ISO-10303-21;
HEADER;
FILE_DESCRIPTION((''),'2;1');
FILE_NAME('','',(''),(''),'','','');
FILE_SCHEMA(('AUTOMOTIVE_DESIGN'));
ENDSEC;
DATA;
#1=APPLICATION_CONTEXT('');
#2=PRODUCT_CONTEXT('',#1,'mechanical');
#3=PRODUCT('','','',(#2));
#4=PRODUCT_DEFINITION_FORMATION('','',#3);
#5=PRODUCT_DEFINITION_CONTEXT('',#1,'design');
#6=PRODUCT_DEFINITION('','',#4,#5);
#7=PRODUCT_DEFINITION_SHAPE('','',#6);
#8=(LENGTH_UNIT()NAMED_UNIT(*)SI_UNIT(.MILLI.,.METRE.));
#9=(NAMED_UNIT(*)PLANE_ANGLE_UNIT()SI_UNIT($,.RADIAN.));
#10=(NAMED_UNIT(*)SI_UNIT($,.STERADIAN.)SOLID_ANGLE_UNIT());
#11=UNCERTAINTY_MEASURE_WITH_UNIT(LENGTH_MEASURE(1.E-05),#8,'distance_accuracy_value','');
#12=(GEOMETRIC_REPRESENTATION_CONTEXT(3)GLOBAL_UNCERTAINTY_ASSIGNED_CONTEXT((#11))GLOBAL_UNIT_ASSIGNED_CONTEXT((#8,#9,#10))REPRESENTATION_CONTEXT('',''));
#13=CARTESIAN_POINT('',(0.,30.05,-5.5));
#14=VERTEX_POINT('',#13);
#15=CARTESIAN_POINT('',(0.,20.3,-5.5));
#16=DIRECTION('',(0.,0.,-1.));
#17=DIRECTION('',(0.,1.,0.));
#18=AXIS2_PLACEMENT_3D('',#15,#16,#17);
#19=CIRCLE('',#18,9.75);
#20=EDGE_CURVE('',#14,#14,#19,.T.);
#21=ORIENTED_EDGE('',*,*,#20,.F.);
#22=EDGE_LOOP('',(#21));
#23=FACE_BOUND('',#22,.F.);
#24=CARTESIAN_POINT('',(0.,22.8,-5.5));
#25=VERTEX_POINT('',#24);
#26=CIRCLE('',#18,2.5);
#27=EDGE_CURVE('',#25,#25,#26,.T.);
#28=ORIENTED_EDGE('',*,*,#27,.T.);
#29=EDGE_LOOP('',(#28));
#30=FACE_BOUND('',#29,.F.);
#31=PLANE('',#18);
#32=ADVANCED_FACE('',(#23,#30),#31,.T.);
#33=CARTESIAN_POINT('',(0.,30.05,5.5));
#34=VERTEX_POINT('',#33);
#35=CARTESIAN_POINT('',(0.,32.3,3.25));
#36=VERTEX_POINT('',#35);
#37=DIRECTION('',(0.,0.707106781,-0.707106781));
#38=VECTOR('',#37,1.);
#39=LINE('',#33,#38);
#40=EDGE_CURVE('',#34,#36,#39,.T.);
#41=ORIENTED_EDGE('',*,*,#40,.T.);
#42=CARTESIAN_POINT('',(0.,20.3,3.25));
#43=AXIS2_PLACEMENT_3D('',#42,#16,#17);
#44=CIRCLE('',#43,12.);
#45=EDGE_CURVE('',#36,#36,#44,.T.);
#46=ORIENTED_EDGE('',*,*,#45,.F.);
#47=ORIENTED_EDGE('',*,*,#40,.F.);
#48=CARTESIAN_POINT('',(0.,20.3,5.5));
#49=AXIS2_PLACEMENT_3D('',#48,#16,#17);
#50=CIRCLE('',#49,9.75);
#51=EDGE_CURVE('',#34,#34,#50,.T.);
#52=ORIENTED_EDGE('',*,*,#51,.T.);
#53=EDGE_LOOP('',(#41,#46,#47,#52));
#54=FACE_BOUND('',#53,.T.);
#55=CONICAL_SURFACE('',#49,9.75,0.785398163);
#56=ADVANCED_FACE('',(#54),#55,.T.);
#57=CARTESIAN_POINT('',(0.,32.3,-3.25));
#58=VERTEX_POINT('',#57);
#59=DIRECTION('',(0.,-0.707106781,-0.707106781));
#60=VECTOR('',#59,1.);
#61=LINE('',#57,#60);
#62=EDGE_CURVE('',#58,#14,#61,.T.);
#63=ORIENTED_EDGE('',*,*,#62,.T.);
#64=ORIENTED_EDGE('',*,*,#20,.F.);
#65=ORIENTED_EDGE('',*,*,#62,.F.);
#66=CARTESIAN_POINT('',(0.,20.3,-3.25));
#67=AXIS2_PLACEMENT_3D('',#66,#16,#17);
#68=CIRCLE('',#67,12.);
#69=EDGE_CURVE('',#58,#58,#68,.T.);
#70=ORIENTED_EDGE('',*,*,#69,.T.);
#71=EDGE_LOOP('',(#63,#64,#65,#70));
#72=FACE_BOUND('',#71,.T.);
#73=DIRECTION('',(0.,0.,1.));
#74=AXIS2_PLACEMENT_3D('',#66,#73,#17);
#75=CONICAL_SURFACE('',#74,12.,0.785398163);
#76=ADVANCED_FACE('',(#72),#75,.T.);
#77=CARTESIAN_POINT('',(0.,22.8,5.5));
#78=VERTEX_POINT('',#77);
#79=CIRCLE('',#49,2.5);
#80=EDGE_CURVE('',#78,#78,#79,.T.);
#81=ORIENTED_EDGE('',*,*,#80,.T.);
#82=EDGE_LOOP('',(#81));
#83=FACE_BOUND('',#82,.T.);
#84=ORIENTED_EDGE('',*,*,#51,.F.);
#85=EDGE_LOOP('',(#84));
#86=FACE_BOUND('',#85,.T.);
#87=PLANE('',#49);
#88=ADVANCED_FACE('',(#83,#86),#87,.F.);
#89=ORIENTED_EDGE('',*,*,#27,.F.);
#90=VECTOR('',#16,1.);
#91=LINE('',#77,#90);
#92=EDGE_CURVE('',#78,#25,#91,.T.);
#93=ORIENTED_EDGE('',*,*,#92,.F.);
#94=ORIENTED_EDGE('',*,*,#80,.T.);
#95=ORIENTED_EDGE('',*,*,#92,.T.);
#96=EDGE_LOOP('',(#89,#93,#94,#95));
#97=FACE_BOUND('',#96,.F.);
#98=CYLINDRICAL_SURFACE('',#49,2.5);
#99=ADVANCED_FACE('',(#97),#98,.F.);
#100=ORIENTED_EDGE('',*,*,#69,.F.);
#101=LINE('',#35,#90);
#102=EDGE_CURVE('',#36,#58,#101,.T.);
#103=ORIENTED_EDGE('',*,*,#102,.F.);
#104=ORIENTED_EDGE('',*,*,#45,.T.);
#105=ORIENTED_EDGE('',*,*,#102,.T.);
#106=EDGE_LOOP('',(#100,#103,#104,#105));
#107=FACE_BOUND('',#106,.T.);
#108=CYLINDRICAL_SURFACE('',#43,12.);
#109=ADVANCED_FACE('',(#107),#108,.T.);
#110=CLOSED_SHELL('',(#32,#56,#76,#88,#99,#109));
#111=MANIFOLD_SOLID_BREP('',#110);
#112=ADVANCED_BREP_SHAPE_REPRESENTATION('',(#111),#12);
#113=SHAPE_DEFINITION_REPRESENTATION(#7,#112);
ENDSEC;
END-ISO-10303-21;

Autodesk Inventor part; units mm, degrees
ref_plane "YZ Plane" through (0, 0, 0) normal (1, 0, 0) x (0, 1, 0)
ref_plane "XZ Plane" through (0, 0, 0) normal (0, 1, 0) x (-1, 0, 0)
ref_plane "XY Plane" through (0, 0, 0) normal (0, 0, 1) x (1, 0, 0)
sketch "Sketch1" plane through (0, 0, 0) normal (1, 0, 0) x (0, 1, 0)
  circle A0 centre (0, 0) radius 2.15 construction
  line L0 (2.8308, 3.75) -> (-2.8308, 3.75) construction
  line L1 (-2.8308, 3.75) -> (-5.5, 6.4192) construction
  line L2 (-5.5, 6.4192) -> (-5.5, 8.2) construction
  line L3 (-5.5, 8.2) -> (-3.6328, 8.2) construction
  arc A1 (-3.6328, 8.2) -> (-3.4914, 8.5414) centre (-3.6328, 8.4) ccw construction
  line L4 (-3.4914, 8.5414) -> (-4.95, 10) construction
  line L5 (-4.95, 10) -> (-10, 10) construction
  line L6 (-10, 10) -> (-10, 4.95) construction
  line L7 (-10, 4.95) -> (-8.5414, 3.4914) construction
  arc A2 (-8.5414, 3.4914) -> (-8.2, 3.6328) centre (-8.4, 3.6328) ccw construction
  line L8 (-8.2, 3.6328) -> (-8.2, 5.5) construction
  line L9 (-8.2, 5.5) -> (-6.4192, 5.5) construction
  line L10 (-6.4192, 5.5) -> (-3.75, 2.8308) construction
  line L11 (-3.75, 2.8308) -> (-3.75, -2.8308) construction
  line L12 (-3.75, -2.8308) -> (-6.4192, -5.5) construction
  line L13 (-6.4192, -5.5) -> (-8.2, -5.5) construction
  line L14 (-8.2, -5.5) -> (-8.2, -3.6328) construction
  arc A3 (-8.2, -3.6328) -> (-8.5414, -3.4914) centre (-8.4, -3.6328) ccw construction
  line L15 (-8.5414, -3.4914) -> (-10, -4.95) construction
  line L16 (-10, -4.95) -> (-10, -10) construction
  line L17 (-10, -10) -> (-4.95, -10) construction
  line L18 (-4.95, -10) -> (-3.4914, -8.5414) construction
  arc A4 (-3.4914, -8.5414) -> (-3.6328, -8.2) centre (-3.6328, -8.4) ccw construction
  line L19 (-3.6328, -8.2) -> (-5.5, -8.2) construction
  line L20 (-5.5, -8.2) -> (-5.5, -6.4192) construction
  line L21 (-5.5, -6.4192) -> (-2.8308, -3.75) construction
  line L22 (-2.8308, -3.75) -> (2.8308, -3.75) construction
  line L23 (2.8308, -3.75) -> (5.5, -6.4192) construction
  line L24 (5.5, -6.4192) -> (5.5, -8.2) construction
  line L25 (5.5, -8.2) -> (3.6328, -8.2) construction
  arc A5 (3.6328, -8.2) -> (3.4914, -8.5414) centre (3.6328, -8.4) ccw construction
  line L26 (3.4914, -8.5414) -> (4.95, -10) construction
  line L27 (4.95, -10) -> (10, -10) construction
  line L28 (10, -10) -> (10, -4.95) construction
  line L29 (10, -4.95) -> (8.5414, -3.4914)
  arc A6 (8.5414, -3.4914) -> (8.2, -3.6328) centre (8.4, -3.6328) ccw construction
  line L30 (8.2, -3.6328) -> (8.2, -5.5) construction
  line L31 (8.2, -5.5) -> (6.4192, -5.5) construction
  line L32 (6.4192, -5.5) -> (3.75, -2.8308) construction
  line L33 (3.75, -2.8308) -> (3.75, 2.8308) construction
  line L34 (3.75, 2.8308) -> (6.4192, 5.5) construction
  line L35 (6.4192, 5.5) -> (8.2, 5.5) construction
  line L36 (8.2, 5.5) -> (8.2, 3.6328) construction
  arc A7 (8.2, 3.6328) -> (8.5414, 3.4914) centre (8.4, 3.6328) ccw construction
  line L37 (8.5414, 3.4914) -> (10, 4.95)
  line L38 (10, 4.95) -> (10, 10) construction
  line L39 (10, 10) -> (4.95, 10) construction
  line L40 (4.95, 10) -> (3.4914, 8.5414) construction
  arc A8 (3.4914, 8.5414) -> (3.6328, 8.2) centre (3.6328, 8.4) ccw construction
  line L41 (3.6328, 8.2) -> (5.5, 8.2) construction
  line L42 (5.5, 8.2) -> (5.5, 6.4192) construction
  line L43 (5.5, 6.4192) -> (2.8308, 3.75) construction
  line L44 (10.55, 5.5) -> (10.55, -5.5) construction
  line L45 (10, 4.95) -> (10.55, 5.5)
  line L46 (10, -4.95) -> (10.55, -5.5)
  line L47 (8.3, 3.25) -> (8.3, -3.25)
  line L48 (8.5414, 3.4914) -> (8.3, 3.25)
  line L49 (8.5414, -3.4914) -> (8.3, -3.25)
  line L50 (32.3, 3.25) -> (32.3, -3.25)
  line L51 (10.55, 5.5) -> (30.05, 5.5)
  line L52 (10.55, -5.5) -> (30.05, -5.5)
  line L53 (30.05, 5.5) -> (32.3, 3.25)
  line L54 (32.3, -3.25) -> (30.05, -5.5)
  line L55 (20.3, 5.5) -> (20.3, -5.5) construction
  line L56 (22.8, 5.5) -> (22.8, -5.5)
  line L57 (17.8, 5.5) -> (17.8, -5.5)
  line L58 (30.05, 5.5) -> (30.05, -5.5) construction
  point P0 (22.55, -5.25)
  dimension "d0" = 11
  dimension "d1" = 45
  dimension "d4" = 24
  dimension "d7" = 2.5
  dimension "d8" = 2.5
  dimension "d10" = 2.25
  dimension "d11" = 2.25
revolve "Revolution1" add sketch "Sketch1" angle 360 about axis through (0, 20.3, 5.5) along (0, 0, -1) contours L56 L51 L53 L50 L54 L52
properties part number "VSlot RollerWheel" material "Rubber"
